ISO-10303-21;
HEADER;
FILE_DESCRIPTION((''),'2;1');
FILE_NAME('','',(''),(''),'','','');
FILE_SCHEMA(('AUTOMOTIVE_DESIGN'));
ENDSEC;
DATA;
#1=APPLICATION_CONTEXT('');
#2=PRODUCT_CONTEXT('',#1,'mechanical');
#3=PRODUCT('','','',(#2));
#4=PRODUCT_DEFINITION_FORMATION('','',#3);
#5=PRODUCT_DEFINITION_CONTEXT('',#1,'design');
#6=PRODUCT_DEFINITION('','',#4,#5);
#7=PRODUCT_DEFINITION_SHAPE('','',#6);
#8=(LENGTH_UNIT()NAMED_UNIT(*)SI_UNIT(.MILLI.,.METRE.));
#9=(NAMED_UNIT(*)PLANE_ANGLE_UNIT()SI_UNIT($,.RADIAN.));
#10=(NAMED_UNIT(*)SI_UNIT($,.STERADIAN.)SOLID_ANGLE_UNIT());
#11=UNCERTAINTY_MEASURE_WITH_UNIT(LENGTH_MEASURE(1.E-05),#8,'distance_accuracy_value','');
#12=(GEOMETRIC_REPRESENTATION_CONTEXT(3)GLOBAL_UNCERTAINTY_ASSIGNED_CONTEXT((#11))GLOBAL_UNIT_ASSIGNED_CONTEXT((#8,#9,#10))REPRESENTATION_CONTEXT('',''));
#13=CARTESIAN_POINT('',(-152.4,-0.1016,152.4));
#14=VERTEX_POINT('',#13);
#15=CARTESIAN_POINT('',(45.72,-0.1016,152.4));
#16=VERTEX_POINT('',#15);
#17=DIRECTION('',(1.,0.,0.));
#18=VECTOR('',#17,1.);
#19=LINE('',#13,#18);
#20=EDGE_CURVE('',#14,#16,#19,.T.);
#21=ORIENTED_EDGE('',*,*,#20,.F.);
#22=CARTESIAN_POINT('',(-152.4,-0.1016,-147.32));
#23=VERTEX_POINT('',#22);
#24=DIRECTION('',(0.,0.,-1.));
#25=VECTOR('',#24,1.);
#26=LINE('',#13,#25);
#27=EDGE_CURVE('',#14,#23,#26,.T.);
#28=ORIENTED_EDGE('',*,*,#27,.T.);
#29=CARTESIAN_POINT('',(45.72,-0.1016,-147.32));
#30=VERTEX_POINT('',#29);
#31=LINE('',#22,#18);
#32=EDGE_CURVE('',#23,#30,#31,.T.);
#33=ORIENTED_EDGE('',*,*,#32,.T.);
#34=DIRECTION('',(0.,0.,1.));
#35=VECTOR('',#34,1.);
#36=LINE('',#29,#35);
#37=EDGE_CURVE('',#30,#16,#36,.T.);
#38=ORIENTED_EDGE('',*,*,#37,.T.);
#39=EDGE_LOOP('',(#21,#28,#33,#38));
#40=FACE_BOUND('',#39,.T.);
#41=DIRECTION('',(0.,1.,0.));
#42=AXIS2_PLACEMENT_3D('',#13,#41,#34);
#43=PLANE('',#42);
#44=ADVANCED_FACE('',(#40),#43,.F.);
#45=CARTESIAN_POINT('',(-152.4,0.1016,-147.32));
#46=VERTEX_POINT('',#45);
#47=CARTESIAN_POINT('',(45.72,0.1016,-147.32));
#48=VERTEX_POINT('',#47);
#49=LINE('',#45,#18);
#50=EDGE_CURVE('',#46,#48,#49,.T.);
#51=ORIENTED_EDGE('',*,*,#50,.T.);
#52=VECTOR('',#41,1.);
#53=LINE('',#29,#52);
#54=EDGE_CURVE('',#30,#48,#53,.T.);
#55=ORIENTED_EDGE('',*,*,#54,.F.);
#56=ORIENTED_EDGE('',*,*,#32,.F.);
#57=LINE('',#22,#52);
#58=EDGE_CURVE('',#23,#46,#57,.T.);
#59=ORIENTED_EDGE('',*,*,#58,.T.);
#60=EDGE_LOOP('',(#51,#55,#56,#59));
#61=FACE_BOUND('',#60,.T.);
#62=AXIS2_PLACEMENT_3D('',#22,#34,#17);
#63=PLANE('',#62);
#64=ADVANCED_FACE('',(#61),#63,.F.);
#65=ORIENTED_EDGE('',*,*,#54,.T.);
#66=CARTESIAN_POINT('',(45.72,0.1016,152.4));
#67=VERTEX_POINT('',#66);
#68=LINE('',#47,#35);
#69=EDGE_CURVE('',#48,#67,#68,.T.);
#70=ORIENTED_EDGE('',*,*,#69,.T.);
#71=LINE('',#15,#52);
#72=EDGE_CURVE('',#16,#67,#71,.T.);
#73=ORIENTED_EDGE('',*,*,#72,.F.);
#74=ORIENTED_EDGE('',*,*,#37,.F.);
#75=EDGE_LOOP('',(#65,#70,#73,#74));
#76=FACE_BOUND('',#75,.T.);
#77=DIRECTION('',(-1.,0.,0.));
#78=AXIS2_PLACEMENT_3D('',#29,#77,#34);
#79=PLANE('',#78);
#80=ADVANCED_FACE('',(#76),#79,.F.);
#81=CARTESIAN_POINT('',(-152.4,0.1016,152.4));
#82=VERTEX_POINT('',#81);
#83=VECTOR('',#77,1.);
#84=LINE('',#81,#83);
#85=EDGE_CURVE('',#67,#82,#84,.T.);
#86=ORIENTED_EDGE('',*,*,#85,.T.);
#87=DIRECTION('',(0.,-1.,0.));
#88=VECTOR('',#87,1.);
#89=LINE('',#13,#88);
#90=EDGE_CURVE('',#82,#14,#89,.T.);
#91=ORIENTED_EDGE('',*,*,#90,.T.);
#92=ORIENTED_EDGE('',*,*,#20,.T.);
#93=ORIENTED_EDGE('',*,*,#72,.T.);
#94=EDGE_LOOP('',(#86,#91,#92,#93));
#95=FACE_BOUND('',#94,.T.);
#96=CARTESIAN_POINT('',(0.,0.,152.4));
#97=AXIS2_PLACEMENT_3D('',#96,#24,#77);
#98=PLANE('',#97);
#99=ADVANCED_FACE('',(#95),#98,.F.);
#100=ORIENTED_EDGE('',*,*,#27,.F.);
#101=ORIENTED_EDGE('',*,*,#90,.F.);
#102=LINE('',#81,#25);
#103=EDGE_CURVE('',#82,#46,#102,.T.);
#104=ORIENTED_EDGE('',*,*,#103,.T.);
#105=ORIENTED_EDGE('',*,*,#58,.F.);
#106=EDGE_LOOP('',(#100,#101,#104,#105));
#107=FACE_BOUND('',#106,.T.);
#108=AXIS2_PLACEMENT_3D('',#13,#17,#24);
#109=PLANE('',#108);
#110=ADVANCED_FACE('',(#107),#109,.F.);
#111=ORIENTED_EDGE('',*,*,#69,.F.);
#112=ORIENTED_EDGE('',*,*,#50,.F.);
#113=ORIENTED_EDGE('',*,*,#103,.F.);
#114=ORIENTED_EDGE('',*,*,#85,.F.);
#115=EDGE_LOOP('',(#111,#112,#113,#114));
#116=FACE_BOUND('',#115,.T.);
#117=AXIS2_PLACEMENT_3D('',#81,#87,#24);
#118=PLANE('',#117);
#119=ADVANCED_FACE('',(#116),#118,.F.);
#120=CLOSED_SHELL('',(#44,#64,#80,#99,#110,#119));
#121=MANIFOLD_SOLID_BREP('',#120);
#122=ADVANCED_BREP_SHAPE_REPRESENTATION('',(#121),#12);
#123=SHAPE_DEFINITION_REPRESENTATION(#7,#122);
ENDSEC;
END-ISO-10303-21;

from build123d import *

# Parameters (mm, degrees)
SKETCH3_W               = 304.8
SKETCH3_H               = 0.2032
BOSS_EXTRUDE1_DEPTH     = 152.4
CUT_EXTRUDE1_DEPTH      = 216.526170853
CUT_EXTRUDE1_DEPTH_BACK = 216.526170853


with BuildPart() as part:
    # Sketch3 → Boss-Extrude1 (new, symmetric)
    with BuildSketch(Plane.XY):
        Rectangle(SKETCH3_W, SKETCH3_H)
    extrude(amount=BOSS_EXTRUDE1_DEPTH, both=True)

    # Sketch5 → Cut-Extrude1 (cut, two sides: drawn at the far end of the back side and taken through both)
    with BuildSketch(Plane(origin=(0, 0, 0), x_dir=(1, 0, 0), z_dir=(0, 1, 0)).offset(-CUT_EXTRUDE1_DEPTH_BACK)):
        Polygon((-152.4, 152.4), (-152.4, 147.32), (45.72, 147.32), (45.72, -152.4), (152.4, -152.4), (152.4, 152.4), align=None)
    extrude(amount=CUT_EXTRUDE1_DEPTH + CUT_EXTRUDE1_DEPTH_BACK, mode=Mode.SUBTRACT)


solid = part.part
